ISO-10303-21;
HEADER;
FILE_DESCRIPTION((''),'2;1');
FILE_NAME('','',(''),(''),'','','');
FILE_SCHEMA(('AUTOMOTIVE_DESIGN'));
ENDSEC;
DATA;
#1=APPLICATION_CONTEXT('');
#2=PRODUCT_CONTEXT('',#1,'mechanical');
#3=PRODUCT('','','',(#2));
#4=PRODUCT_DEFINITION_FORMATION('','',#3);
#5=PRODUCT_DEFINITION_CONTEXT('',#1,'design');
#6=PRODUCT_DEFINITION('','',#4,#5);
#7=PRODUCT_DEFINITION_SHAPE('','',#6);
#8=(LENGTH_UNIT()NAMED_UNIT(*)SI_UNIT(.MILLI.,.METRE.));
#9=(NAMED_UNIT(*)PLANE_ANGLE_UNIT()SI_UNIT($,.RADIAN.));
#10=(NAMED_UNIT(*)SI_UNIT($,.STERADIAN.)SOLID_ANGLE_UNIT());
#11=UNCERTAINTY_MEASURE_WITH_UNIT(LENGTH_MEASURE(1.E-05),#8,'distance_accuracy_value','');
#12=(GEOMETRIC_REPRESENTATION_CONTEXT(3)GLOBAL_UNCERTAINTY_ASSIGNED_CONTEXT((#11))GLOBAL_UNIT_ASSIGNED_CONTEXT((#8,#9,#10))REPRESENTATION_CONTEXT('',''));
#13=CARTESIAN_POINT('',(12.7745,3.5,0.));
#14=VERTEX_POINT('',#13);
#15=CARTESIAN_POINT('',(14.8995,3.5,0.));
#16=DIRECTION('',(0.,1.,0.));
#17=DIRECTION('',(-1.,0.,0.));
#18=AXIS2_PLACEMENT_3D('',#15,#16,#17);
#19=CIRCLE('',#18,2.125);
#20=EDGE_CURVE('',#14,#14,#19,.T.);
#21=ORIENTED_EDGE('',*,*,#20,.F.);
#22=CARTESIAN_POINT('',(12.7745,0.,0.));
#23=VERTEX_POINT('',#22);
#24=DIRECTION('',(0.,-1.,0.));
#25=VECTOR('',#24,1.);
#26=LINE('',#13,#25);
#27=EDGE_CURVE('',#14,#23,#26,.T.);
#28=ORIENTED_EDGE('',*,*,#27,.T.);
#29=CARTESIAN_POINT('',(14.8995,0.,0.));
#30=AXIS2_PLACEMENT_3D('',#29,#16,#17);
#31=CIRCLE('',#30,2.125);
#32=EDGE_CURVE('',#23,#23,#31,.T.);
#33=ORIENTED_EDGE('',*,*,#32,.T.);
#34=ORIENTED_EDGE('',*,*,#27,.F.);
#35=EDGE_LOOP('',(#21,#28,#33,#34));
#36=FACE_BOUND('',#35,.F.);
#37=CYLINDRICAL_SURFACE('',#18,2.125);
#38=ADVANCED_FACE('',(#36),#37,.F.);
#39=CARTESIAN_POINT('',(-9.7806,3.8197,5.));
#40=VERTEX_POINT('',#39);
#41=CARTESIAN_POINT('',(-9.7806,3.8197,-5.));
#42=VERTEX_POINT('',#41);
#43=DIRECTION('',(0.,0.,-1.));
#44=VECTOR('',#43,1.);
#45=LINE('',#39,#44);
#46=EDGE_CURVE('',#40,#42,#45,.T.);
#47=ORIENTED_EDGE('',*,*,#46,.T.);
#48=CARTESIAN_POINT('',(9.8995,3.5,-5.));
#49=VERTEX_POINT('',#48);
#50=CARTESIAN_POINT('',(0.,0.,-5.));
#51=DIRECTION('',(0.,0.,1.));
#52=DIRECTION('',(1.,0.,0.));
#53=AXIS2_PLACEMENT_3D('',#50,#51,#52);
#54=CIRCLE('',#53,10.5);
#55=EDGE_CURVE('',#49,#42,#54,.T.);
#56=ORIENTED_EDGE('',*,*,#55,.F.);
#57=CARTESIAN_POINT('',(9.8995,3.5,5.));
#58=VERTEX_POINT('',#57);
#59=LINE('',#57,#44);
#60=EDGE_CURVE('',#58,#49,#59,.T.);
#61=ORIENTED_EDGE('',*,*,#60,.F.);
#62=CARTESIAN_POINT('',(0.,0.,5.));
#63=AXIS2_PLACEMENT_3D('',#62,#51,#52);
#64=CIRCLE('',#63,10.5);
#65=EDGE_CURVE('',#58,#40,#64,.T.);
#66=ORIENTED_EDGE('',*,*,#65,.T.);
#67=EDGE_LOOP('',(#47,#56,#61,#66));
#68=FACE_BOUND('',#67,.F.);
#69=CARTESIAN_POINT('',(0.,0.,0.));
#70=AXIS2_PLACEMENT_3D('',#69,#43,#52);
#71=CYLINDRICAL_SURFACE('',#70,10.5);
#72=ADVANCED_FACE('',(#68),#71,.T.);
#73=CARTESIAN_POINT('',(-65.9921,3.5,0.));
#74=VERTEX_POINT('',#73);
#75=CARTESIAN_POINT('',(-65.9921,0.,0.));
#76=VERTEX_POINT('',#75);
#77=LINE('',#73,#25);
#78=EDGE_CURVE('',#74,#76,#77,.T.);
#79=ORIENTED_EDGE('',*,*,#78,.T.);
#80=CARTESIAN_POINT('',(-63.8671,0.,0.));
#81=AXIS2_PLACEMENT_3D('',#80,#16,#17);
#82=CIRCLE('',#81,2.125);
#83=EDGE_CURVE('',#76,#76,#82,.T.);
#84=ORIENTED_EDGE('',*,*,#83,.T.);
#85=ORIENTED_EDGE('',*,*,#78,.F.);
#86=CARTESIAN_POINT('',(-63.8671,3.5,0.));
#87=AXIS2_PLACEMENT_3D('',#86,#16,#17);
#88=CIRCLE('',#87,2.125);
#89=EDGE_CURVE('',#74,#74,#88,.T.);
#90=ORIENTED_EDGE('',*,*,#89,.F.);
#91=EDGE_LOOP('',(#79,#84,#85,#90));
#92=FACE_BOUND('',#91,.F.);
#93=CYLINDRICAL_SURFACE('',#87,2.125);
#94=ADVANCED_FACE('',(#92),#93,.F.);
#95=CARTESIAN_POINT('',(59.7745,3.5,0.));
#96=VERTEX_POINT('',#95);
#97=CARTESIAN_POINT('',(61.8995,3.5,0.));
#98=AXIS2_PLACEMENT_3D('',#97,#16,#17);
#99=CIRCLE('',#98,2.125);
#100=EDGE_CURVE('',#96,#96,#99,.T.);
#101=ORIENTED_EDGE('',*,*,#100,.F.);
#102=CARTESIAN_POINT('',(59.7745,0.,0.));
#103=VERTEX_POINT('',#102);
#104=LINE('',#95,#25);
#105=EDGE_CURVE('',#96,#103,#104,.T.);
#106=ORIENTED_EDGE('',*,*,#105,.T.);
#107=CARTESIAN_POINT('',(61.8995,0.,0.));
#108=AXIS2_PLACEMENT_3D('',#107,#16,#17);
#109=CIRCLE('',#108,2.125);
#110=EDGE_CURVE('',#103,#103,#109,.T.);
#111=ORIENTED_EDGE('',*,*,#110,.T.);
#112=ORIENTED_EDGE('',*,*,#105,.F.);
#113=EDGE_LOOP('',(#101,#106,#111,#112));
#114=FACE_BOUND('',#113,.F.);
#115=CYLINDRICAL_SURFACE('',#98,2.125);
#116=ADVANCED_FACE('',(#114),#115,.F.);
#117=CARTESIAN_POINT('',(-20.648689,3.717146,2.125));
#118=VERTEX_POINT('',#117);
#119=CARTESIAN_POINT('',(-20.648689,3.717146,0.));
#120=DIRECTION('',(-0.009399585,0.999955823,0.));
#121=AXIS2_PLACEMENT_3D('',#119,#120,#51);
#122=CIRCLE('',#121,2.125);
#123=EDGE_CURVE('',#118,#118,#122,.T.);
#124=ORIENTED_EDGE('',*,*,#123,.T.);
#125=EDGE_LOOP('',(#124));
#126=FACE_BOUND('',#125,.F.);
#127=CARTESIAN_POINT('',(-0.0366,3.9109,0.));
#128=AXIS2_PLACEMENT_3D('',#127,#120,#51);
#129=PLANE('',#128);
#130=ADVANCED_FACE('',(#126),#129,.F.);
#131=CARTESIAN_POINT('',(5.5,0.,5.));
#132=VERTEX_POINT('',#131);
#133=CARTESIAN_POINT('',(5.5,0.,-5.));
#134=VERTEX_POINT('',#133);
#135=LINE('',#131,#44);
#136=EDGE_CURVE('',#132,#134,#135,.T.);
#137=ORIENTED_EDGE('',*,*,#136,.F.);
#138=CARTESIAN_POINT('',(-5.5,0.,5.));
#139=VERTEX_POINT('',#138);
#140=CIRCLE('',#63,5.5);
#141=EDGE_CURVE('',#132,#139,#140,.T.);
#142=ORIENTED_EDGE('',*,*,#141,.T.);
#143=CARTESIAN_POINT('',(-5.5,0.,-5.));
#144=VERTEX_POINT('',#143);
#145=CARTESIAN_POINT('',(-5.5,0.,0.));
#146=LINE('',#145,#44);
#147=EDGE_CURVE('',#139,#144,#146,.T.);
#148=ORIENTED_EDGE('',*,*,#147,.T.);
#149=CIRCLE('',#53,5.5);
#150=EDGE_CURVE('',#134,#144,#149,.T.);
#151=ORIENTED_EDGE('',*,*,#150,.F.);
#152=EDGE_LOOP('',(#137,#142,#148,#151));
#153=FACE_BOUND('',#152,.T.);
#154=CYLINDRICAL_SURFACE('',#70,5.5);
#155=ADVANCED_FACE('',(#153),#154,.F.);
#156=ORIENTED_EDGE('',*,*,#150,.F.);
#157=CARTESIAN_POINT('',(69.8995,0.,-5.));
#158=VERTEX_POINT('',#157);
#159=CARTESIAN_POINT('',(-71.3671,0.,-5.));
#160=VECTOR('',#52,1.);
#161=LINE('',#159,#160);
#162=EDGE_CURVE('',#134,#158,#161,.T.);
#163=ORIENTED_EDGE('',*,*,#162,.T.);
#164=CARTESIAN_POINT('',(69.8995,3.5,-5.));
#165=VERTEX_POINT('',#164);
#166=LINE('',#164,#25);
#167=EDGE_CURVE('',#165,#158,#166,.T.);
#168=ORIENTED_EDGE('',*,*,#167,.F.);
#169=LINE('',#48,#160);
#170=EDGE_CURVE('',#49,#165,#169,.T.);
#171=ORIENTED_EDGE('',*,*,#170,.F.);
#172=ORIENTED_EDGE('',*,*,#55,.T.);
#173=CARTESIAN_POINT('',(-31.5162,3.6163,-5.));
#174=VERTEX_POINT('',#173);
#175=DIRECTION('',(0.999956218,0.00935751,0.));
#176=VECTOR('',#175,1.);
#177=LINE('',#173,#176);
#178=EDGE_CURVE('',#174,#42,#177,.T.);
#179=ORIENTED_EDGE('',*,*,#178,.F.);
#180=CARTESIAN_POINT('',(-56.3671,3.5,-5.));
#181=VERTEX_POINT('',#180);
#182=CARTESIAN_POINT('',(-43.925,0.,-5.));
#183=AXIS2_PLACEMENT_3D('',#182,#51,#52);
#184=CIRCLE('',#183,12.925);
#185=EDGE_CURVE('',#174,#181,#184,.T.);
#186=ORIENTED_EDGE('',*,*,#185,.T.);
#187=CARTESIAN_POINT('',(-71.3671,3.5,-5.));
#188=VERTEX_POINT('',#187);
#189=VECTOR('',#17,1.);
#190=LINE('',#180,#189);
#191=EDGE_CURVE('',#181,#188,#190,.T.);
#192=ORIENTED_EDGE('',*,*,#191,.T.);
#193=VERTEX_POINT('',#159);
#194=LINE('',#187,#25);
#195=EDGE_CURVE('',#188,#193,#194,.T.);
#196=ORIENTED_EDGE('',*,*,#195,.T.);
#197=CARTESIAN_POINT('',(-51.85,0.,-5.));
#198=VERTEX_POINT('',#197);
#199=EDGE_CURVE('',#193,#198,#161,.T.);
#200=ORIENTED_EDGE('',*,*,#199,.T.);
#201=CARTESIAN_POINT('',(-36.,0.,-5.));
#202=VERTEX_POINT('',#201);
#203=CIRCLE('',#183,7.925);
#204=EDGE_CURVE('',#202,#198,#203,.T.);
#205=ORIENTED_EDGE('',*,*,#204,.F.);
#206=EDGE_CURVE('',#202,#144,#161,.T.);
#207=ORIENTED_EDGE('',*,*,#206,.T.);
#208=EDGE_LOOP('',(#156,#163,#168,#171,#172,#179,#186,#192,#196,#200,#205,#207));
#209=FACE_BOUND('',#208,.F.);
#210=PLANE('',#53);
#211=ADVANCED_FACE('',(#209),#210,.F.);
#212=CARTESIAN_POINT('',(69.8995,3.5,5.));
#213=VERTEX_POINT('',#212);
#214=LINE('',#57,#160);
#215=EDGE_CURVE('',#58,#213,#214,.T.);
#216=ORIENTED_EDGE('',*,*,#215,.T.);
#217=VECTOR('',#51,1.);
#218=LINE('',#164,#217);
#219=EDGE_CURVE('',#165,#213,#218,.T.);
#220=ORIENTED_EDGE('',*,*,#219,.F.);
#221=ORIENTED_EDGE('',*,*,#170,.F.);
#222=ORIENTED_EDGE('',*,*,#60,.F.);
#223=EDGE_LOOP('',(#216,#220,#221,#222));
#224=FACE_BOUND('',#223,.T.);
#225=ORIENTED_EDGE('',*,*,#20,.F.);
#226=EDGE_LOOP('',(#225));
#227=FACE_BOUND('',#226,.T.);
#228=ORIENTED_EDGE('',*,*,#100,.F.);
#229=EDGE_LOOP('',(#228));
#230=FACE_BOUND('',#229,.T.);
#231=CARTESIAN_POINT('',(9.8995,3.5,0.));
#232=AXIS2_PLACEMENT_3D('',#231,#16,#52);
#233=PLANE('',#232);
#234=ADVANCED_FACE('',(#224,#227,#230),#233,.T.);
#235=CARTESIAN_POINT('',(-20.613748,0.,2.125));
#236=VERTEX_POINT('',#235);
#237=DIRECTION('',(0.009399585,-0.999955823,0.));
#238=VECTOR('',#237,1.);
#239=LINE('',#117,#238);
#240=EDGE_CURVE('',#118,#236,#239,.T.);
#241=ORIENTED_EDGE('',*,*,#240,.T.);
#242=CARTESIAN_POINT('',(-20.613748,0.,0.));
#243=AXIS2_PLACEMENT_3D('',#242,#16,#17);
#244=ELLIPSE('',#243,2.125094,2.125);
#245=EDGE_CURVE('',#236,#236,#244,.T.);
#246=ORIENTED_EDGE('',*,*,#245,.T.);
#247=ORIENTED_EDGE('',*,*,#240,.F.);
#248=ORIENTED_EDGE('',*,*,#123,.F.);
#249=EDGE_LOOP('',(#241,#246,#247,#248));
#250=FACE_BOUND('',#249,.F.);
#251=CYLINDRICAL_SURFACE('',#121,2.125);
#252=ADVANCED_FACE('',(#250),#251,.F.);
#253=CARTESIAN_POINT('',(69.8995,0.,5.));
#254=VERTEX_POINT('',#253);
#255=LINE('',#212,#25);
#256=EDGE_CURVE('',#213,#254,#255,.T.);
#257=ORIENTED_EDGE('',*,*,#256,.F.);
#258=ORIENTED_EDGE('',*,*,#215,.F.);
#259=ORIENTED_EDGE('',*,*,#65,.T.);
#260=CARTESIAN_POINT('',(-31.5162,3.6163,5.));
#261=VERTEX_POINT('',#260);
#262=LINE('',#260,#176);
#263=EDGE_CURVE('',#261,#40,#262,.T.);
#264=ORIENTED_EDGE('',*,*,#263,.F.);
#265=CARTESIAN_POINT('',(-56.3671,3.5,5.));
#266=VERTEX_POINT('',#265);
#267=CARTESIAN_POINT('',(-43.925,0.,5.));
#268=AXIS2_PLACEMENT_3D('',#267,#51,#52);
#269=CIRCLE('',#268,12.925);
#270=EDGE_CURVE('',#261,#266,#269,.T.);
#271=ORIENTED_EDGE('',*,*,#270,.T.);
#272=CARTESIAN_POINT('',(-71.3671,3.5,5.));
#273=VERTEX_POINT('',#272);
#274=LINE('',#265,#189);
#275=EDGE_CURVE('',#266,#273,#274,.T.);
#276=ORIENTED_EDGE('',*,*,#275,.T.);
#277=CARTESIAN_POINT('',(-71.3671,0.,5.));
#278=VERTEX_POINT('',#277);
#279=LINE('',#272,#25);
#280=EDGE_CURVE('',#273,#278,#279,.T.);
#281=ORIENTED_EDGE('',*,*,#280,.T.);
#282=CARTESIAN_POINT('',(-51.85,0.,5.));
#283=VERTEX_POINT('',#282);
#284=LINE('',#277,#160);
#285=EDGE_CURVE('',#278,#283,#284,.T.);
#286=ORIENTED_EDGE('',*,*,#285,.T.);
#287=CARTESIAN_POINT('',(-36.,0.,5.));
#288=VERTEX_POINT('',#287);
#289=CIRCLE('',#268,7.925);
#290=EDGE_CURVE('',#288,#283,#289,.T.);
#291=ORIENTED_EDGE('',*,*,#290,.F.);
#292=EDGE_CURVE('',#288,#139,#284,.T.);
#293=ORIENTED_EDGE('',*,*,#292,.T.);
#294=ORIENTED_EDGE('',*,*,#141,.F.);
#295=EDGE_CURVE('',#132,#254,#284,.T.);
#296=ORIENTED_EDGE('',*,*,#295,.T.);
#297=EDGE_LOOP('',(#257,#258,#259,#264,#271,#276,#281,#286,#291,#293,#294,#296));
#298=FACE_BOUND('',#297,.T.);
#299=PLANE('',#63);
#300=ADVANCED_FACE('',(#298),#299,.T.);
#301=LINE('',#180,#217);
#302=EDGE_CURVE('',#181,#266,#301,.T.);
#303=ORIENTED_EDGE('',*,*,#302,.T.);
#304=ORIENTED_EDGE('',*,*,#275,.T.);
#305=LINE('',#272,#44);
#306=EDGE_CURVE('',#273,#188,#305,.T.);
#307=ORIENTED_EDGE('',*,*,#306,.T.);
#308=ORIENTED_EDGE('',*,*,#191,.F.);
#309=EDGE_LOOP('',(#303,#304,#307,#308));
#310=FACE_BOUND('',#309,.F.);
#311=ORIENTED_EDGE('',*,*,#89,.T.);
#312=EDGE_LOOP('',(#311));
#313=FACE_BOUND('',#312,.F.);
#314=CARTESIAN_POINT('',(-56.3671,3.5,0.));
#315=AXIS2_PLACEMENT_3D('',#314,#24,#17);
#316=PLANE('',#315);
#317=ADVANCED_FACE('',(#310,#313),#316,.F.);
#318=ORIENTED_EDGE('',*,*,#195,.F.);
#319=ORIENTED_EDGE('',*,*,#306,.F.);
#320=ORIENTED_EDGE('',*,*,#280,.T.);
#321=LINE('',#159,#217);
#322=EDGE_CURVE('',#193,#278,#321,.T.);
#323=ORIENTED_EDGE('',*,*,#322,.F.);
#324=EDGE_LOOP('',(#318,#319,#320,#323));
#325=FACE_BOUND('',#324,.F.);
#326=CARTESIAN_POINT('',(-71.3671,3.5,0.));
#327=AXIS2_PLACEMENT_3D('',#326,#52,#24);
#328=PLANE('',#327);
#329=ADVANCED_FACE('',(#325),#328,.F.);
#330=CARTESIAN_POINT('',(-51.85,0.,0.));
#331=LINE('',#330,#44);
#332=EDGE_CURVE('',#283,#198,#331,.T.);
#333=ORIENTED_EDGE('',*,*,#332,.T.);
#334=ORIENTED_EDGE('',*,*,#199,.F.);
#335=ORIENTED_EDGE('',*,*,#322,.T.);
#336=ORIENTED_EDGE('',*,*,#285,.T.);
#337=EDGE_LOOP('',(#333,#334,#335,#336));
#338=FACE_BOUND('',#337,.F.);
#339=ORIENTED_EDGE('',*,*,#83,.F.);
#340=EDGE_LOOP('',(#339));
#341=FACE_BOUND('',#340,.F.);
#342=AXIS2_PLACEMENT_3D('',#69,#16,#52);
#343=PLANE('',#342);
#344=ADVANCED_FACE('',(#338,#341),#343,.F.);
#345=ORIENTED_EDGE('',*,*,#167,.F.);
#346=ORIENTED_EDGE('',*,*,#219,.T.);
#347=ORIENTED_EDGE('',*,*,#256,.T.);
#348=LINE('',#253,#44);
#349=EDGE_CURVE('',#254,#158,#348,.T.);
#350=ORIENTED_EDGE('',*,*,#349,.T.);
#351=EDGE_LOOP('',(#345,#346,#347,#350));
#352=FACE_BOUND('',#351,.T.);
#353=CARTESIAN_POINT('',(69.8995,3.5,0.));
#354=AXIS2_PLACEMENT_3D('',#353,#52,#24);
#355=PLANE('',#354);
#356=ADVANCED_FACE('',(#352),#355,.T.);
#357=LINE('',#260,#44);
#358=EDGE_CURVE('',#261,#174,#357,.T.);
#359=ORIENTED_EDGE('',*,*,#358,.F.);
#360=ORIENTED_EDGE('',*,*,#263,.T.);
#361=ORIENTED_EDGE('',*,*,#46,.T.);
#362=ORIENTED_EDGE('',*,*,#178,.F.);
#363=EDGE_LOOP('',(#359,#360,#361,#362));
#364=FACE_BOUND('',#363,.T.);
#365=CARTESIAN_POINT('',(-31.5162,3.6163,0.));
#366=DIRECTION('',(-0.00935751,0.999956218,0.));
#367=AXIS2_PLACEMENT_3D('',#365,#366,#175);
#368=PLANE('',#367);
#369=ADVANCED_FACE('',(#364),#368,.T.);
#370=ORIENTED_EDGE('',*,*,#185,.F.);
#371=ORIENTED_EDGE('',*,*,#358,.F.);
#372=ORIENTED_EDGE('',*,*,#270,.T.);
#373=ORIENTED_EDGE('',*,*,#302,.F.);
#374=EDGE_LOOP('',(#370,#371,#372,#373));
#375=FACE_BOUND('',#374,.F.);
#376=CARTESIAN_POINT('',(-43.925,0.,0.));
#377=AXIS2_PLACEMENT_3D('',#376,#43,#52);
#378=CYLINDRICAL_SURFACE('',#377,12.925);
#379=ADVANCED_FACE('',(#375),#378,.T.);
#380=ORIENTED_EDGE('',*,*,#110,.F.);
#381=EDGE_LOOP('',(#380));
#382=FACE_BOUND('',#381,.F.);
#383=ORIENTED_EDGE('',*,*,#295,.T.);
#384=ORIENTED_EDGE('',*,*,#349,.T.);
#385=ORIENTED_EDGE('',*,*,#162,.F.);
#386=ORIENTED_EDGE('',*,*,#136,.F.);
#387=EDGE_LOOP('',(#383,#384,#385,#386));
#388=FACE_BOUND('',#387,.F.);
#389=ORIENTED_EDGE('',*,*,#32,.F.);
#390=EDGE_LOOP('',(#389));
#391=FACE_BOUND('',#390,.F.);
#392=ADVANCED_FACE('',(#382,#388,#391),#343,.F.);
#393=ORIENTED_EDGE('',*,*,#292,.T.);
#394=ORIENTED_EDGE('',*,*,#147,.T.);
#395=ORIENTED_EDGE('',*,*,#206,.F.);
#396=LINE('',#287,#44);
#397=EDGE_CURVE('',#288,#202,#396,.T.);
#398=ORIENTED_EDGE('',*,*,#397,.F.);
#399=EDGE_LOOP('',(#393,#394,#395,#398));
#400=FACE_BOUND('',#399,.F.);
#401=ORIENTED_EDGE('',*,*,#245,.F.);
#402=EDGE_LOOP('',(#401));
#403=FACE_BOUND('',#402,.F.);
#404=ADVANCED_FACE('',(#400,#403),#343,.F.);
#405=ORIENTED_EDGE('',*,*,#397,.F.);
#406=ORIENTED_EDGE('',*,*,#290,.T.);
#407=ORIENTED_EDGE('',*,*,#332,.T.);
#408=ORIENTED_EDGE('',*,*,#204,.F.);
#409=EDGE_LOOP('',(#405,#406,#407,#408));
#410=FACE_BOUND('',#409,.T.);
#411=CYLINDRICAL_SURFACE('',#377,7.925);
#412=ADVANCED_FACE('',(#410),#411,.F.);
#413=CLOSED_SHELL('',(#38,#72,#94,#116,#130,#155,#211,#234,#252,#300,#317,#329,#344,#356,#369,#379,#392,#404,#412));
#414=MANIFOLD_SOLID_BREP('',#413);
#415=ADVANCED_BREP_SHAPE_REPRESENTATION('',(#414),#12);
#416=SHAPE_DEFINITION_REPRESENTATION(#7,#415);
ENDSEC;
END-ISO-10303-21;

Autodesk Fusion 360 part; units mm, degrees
sketch "Sketch1" plane through (0, 0, 0) normal (0, 0, 1) x (1, 0, 0)
  circle A0 centre (-43.925, 0) radius 12.925
  circle A1 centre (-43.925, 0) radius 7.925
  circle A2 centre (0, 0) radius 10.5
  circle A3 centre (0, 0) radius 5.5
  line L0 (9.8995, 3.5) -> (69.8995, 3.5)
  line L1 (69.8995, 3.5) -> (69.8995, -3.5)
  line L2 (69.8995, -3.5) -> (9.8995, -3.5)
  line L3 (-31.5162, 3.6163) -> (-9.7806, 3.8197)
  line L4 (-31.4507, -3.3834) -> (-10.006, -3.1827)
  line L5 (-56.3671, 3.5) -> (-71.3671, 3.5)
  line L6 (-71.3671, 3.5) -> (-71.3671, -3.5)
  line L7 (-71.3671, -3.5) -> (-56.3671, -3.5)
  line L8 (-43.925, 0) -> (0, 0) construction
  dimension "d1" = 3.5
  dimension "d2" = 3.5
  dimension "d3" = 3.5
  dimension "d4" = 3.5
  dimension "d5" = 3.5
  dimension "d6" = 3.5
  dimension "d7" = 43.925
  dimension "d8" = 60
  dimension "d9" = 15
  dimension "d19" = 25.85
  dimension "d20" = 21
  dimension "d21" = 11
  dimension "d22" = 15.85
extrude "Extrude1" add sketch "Sketch1" along normal mid plane 10
sketch "Sketch4" plane through (0, 3.5, 0) normal (0, 1, 0) x (-1, 0, 0)
  line L0 (71.3671, -5) -> (71.3671, 5)
  line L1 (71.3671, 5) -> (56.3671, 5)
  line L2 (56.3671, 5) -> (56.3671, -5)
  line L3 (56.3671, -5) -> (71.3671, -5)
  circle A0 centre (63.8671, 0) radius 2.125
  line L4 (31.5162, -5) -> (9.7806, -5)
  line L5 (31.5162, 5) -> (31.5162, -5)
  line L6 (9.7806, -5) -> (9.7806, 5)
  dimension "d25" = 4.25
  dimension "d27" = 5
  dimension "d31" = 7.5
  dimension "d32" = 7.5
extrude "Extrude4" cut sketch "Sketch4" along normal up to surface contours A0 end surface through (-31.4507, -3.3834, 0) normal (0.009359, -0.999956, 0) offset 0
sketch "Sketch5" plane through (-0.0366, 3.9109, 0) normal (-0.0094, 1, 0) x (0, 0, 1)
  line L0 (-5, -31.481) -> (5, -31.481)
  line L1 (5, -31.481) -> (5, -9.7444)
  line L2 (5, -9.7444) -> (-5, -9.7444)
  line L3 (-5, -9.7444) -> (-5, -31.481)
  circle A0 centre (0, -20.613) radius 2.125
  dimension "d35" = 4.25
  dimension "d36" = 10.868
  dimension "d37" = 10.8686
  dimension "d38" = 5
extrude "Extrude5" cut sketch "Sketch5" against normal up to surface (7 mm away) contours A0
sketch "Sketch6" plane through (0, 3.5, 0) normal (0, 1, 0) x (-1, 0, 0)
  line L0 (-9.8995, -5) -> (-9.8995, 5)
  line L1 (-9.8995, 5) -> (-69.8995, 5)
  line L2 (-69.8995, 5) -> (-69.8995, -5)
  line L3 (-69.8995, -5) -> (-9.8995, -5)
sketch "Sketch7" plane through (0, 3.5, 0) normal (0, 1, 0) x (-1, 0, 0)
  line L0 (-9.8995, -5) -> (-9.8995, 5) construction
  line L1 (-9.8995, 5) -> (-69.8995, 5) construction
  line L2 (-69.8995, 5) -> (-69.8995, -5) construction
  line L3 (-69.8995, -5) -> (-9.8995, -5) construction
  line L4 (-69.8995, 0) -> (-9.8995, 0) construction
  circle A0 centre (-61.8995, 0) radius 2.125
  circle A1 centre (-14.8995, 0) radius 2.125
  dimension "d41" = 4.25
  dimension "d42" = 4.25
  dimension "d43" = 8
  dimension "d44" = 5
extrude "Extrude6" cut sketch "Sketch7" against normal up to surface (7 mm away)
sketch "Sketch3" plane through (0, 0, 0) normal (0, 1, 0) x (1, 0, 0)
  line L0 (-71.3671, 5) -> (-71.3671, -5)
  line L1 (-71.3671, -5) -> (-56.3671, -5)
  line L2 (-56.3671, -5) -> (-56.3671, 5)
  line L3 (-56.3671, 5) -> (-71.3671, 5)
  line L4 (9.8995, 5) -> (9.8995, -5)
  line L5 (9.8995, -5) -> (69.8995, -5)
  line L6 (69.8995, -5) -> (69.8995, 5)
  line L7 (69.8995, 5) -> (9.8995, 5)
  line L8 (-71.3671, 5) -> (69.8995, 5)
  line L9 (69.8995, 5) -> (69.8995, -5)
  line L10 (69.8995, -5) -> (-71.3671, -5)
  line L11 (-71.3671, -5) -> (-71.3671, 5)
  circle A0 centre (-63.8671, 0) radius 2.125
  circle A1 centre (14.8995, 0) radius 2.125
  circle A2 centre (61.8995, 0) radius 2.125
extrude "Extrude3" cut sketch "Sketch3" against normal blind 20 contours L0 L1 L2 L3 L8 L10 L11 | L2 L4 L8 L10 | L4 L5 L6 L7 L8 L9 L10 | A0 | A1 | A2
equation "d2 = d1"
equation "d3 = d1"
equation "d4 = d1"
equation "d5 = d1"
equation "d6 = d1"
equation "d42 = d41"
